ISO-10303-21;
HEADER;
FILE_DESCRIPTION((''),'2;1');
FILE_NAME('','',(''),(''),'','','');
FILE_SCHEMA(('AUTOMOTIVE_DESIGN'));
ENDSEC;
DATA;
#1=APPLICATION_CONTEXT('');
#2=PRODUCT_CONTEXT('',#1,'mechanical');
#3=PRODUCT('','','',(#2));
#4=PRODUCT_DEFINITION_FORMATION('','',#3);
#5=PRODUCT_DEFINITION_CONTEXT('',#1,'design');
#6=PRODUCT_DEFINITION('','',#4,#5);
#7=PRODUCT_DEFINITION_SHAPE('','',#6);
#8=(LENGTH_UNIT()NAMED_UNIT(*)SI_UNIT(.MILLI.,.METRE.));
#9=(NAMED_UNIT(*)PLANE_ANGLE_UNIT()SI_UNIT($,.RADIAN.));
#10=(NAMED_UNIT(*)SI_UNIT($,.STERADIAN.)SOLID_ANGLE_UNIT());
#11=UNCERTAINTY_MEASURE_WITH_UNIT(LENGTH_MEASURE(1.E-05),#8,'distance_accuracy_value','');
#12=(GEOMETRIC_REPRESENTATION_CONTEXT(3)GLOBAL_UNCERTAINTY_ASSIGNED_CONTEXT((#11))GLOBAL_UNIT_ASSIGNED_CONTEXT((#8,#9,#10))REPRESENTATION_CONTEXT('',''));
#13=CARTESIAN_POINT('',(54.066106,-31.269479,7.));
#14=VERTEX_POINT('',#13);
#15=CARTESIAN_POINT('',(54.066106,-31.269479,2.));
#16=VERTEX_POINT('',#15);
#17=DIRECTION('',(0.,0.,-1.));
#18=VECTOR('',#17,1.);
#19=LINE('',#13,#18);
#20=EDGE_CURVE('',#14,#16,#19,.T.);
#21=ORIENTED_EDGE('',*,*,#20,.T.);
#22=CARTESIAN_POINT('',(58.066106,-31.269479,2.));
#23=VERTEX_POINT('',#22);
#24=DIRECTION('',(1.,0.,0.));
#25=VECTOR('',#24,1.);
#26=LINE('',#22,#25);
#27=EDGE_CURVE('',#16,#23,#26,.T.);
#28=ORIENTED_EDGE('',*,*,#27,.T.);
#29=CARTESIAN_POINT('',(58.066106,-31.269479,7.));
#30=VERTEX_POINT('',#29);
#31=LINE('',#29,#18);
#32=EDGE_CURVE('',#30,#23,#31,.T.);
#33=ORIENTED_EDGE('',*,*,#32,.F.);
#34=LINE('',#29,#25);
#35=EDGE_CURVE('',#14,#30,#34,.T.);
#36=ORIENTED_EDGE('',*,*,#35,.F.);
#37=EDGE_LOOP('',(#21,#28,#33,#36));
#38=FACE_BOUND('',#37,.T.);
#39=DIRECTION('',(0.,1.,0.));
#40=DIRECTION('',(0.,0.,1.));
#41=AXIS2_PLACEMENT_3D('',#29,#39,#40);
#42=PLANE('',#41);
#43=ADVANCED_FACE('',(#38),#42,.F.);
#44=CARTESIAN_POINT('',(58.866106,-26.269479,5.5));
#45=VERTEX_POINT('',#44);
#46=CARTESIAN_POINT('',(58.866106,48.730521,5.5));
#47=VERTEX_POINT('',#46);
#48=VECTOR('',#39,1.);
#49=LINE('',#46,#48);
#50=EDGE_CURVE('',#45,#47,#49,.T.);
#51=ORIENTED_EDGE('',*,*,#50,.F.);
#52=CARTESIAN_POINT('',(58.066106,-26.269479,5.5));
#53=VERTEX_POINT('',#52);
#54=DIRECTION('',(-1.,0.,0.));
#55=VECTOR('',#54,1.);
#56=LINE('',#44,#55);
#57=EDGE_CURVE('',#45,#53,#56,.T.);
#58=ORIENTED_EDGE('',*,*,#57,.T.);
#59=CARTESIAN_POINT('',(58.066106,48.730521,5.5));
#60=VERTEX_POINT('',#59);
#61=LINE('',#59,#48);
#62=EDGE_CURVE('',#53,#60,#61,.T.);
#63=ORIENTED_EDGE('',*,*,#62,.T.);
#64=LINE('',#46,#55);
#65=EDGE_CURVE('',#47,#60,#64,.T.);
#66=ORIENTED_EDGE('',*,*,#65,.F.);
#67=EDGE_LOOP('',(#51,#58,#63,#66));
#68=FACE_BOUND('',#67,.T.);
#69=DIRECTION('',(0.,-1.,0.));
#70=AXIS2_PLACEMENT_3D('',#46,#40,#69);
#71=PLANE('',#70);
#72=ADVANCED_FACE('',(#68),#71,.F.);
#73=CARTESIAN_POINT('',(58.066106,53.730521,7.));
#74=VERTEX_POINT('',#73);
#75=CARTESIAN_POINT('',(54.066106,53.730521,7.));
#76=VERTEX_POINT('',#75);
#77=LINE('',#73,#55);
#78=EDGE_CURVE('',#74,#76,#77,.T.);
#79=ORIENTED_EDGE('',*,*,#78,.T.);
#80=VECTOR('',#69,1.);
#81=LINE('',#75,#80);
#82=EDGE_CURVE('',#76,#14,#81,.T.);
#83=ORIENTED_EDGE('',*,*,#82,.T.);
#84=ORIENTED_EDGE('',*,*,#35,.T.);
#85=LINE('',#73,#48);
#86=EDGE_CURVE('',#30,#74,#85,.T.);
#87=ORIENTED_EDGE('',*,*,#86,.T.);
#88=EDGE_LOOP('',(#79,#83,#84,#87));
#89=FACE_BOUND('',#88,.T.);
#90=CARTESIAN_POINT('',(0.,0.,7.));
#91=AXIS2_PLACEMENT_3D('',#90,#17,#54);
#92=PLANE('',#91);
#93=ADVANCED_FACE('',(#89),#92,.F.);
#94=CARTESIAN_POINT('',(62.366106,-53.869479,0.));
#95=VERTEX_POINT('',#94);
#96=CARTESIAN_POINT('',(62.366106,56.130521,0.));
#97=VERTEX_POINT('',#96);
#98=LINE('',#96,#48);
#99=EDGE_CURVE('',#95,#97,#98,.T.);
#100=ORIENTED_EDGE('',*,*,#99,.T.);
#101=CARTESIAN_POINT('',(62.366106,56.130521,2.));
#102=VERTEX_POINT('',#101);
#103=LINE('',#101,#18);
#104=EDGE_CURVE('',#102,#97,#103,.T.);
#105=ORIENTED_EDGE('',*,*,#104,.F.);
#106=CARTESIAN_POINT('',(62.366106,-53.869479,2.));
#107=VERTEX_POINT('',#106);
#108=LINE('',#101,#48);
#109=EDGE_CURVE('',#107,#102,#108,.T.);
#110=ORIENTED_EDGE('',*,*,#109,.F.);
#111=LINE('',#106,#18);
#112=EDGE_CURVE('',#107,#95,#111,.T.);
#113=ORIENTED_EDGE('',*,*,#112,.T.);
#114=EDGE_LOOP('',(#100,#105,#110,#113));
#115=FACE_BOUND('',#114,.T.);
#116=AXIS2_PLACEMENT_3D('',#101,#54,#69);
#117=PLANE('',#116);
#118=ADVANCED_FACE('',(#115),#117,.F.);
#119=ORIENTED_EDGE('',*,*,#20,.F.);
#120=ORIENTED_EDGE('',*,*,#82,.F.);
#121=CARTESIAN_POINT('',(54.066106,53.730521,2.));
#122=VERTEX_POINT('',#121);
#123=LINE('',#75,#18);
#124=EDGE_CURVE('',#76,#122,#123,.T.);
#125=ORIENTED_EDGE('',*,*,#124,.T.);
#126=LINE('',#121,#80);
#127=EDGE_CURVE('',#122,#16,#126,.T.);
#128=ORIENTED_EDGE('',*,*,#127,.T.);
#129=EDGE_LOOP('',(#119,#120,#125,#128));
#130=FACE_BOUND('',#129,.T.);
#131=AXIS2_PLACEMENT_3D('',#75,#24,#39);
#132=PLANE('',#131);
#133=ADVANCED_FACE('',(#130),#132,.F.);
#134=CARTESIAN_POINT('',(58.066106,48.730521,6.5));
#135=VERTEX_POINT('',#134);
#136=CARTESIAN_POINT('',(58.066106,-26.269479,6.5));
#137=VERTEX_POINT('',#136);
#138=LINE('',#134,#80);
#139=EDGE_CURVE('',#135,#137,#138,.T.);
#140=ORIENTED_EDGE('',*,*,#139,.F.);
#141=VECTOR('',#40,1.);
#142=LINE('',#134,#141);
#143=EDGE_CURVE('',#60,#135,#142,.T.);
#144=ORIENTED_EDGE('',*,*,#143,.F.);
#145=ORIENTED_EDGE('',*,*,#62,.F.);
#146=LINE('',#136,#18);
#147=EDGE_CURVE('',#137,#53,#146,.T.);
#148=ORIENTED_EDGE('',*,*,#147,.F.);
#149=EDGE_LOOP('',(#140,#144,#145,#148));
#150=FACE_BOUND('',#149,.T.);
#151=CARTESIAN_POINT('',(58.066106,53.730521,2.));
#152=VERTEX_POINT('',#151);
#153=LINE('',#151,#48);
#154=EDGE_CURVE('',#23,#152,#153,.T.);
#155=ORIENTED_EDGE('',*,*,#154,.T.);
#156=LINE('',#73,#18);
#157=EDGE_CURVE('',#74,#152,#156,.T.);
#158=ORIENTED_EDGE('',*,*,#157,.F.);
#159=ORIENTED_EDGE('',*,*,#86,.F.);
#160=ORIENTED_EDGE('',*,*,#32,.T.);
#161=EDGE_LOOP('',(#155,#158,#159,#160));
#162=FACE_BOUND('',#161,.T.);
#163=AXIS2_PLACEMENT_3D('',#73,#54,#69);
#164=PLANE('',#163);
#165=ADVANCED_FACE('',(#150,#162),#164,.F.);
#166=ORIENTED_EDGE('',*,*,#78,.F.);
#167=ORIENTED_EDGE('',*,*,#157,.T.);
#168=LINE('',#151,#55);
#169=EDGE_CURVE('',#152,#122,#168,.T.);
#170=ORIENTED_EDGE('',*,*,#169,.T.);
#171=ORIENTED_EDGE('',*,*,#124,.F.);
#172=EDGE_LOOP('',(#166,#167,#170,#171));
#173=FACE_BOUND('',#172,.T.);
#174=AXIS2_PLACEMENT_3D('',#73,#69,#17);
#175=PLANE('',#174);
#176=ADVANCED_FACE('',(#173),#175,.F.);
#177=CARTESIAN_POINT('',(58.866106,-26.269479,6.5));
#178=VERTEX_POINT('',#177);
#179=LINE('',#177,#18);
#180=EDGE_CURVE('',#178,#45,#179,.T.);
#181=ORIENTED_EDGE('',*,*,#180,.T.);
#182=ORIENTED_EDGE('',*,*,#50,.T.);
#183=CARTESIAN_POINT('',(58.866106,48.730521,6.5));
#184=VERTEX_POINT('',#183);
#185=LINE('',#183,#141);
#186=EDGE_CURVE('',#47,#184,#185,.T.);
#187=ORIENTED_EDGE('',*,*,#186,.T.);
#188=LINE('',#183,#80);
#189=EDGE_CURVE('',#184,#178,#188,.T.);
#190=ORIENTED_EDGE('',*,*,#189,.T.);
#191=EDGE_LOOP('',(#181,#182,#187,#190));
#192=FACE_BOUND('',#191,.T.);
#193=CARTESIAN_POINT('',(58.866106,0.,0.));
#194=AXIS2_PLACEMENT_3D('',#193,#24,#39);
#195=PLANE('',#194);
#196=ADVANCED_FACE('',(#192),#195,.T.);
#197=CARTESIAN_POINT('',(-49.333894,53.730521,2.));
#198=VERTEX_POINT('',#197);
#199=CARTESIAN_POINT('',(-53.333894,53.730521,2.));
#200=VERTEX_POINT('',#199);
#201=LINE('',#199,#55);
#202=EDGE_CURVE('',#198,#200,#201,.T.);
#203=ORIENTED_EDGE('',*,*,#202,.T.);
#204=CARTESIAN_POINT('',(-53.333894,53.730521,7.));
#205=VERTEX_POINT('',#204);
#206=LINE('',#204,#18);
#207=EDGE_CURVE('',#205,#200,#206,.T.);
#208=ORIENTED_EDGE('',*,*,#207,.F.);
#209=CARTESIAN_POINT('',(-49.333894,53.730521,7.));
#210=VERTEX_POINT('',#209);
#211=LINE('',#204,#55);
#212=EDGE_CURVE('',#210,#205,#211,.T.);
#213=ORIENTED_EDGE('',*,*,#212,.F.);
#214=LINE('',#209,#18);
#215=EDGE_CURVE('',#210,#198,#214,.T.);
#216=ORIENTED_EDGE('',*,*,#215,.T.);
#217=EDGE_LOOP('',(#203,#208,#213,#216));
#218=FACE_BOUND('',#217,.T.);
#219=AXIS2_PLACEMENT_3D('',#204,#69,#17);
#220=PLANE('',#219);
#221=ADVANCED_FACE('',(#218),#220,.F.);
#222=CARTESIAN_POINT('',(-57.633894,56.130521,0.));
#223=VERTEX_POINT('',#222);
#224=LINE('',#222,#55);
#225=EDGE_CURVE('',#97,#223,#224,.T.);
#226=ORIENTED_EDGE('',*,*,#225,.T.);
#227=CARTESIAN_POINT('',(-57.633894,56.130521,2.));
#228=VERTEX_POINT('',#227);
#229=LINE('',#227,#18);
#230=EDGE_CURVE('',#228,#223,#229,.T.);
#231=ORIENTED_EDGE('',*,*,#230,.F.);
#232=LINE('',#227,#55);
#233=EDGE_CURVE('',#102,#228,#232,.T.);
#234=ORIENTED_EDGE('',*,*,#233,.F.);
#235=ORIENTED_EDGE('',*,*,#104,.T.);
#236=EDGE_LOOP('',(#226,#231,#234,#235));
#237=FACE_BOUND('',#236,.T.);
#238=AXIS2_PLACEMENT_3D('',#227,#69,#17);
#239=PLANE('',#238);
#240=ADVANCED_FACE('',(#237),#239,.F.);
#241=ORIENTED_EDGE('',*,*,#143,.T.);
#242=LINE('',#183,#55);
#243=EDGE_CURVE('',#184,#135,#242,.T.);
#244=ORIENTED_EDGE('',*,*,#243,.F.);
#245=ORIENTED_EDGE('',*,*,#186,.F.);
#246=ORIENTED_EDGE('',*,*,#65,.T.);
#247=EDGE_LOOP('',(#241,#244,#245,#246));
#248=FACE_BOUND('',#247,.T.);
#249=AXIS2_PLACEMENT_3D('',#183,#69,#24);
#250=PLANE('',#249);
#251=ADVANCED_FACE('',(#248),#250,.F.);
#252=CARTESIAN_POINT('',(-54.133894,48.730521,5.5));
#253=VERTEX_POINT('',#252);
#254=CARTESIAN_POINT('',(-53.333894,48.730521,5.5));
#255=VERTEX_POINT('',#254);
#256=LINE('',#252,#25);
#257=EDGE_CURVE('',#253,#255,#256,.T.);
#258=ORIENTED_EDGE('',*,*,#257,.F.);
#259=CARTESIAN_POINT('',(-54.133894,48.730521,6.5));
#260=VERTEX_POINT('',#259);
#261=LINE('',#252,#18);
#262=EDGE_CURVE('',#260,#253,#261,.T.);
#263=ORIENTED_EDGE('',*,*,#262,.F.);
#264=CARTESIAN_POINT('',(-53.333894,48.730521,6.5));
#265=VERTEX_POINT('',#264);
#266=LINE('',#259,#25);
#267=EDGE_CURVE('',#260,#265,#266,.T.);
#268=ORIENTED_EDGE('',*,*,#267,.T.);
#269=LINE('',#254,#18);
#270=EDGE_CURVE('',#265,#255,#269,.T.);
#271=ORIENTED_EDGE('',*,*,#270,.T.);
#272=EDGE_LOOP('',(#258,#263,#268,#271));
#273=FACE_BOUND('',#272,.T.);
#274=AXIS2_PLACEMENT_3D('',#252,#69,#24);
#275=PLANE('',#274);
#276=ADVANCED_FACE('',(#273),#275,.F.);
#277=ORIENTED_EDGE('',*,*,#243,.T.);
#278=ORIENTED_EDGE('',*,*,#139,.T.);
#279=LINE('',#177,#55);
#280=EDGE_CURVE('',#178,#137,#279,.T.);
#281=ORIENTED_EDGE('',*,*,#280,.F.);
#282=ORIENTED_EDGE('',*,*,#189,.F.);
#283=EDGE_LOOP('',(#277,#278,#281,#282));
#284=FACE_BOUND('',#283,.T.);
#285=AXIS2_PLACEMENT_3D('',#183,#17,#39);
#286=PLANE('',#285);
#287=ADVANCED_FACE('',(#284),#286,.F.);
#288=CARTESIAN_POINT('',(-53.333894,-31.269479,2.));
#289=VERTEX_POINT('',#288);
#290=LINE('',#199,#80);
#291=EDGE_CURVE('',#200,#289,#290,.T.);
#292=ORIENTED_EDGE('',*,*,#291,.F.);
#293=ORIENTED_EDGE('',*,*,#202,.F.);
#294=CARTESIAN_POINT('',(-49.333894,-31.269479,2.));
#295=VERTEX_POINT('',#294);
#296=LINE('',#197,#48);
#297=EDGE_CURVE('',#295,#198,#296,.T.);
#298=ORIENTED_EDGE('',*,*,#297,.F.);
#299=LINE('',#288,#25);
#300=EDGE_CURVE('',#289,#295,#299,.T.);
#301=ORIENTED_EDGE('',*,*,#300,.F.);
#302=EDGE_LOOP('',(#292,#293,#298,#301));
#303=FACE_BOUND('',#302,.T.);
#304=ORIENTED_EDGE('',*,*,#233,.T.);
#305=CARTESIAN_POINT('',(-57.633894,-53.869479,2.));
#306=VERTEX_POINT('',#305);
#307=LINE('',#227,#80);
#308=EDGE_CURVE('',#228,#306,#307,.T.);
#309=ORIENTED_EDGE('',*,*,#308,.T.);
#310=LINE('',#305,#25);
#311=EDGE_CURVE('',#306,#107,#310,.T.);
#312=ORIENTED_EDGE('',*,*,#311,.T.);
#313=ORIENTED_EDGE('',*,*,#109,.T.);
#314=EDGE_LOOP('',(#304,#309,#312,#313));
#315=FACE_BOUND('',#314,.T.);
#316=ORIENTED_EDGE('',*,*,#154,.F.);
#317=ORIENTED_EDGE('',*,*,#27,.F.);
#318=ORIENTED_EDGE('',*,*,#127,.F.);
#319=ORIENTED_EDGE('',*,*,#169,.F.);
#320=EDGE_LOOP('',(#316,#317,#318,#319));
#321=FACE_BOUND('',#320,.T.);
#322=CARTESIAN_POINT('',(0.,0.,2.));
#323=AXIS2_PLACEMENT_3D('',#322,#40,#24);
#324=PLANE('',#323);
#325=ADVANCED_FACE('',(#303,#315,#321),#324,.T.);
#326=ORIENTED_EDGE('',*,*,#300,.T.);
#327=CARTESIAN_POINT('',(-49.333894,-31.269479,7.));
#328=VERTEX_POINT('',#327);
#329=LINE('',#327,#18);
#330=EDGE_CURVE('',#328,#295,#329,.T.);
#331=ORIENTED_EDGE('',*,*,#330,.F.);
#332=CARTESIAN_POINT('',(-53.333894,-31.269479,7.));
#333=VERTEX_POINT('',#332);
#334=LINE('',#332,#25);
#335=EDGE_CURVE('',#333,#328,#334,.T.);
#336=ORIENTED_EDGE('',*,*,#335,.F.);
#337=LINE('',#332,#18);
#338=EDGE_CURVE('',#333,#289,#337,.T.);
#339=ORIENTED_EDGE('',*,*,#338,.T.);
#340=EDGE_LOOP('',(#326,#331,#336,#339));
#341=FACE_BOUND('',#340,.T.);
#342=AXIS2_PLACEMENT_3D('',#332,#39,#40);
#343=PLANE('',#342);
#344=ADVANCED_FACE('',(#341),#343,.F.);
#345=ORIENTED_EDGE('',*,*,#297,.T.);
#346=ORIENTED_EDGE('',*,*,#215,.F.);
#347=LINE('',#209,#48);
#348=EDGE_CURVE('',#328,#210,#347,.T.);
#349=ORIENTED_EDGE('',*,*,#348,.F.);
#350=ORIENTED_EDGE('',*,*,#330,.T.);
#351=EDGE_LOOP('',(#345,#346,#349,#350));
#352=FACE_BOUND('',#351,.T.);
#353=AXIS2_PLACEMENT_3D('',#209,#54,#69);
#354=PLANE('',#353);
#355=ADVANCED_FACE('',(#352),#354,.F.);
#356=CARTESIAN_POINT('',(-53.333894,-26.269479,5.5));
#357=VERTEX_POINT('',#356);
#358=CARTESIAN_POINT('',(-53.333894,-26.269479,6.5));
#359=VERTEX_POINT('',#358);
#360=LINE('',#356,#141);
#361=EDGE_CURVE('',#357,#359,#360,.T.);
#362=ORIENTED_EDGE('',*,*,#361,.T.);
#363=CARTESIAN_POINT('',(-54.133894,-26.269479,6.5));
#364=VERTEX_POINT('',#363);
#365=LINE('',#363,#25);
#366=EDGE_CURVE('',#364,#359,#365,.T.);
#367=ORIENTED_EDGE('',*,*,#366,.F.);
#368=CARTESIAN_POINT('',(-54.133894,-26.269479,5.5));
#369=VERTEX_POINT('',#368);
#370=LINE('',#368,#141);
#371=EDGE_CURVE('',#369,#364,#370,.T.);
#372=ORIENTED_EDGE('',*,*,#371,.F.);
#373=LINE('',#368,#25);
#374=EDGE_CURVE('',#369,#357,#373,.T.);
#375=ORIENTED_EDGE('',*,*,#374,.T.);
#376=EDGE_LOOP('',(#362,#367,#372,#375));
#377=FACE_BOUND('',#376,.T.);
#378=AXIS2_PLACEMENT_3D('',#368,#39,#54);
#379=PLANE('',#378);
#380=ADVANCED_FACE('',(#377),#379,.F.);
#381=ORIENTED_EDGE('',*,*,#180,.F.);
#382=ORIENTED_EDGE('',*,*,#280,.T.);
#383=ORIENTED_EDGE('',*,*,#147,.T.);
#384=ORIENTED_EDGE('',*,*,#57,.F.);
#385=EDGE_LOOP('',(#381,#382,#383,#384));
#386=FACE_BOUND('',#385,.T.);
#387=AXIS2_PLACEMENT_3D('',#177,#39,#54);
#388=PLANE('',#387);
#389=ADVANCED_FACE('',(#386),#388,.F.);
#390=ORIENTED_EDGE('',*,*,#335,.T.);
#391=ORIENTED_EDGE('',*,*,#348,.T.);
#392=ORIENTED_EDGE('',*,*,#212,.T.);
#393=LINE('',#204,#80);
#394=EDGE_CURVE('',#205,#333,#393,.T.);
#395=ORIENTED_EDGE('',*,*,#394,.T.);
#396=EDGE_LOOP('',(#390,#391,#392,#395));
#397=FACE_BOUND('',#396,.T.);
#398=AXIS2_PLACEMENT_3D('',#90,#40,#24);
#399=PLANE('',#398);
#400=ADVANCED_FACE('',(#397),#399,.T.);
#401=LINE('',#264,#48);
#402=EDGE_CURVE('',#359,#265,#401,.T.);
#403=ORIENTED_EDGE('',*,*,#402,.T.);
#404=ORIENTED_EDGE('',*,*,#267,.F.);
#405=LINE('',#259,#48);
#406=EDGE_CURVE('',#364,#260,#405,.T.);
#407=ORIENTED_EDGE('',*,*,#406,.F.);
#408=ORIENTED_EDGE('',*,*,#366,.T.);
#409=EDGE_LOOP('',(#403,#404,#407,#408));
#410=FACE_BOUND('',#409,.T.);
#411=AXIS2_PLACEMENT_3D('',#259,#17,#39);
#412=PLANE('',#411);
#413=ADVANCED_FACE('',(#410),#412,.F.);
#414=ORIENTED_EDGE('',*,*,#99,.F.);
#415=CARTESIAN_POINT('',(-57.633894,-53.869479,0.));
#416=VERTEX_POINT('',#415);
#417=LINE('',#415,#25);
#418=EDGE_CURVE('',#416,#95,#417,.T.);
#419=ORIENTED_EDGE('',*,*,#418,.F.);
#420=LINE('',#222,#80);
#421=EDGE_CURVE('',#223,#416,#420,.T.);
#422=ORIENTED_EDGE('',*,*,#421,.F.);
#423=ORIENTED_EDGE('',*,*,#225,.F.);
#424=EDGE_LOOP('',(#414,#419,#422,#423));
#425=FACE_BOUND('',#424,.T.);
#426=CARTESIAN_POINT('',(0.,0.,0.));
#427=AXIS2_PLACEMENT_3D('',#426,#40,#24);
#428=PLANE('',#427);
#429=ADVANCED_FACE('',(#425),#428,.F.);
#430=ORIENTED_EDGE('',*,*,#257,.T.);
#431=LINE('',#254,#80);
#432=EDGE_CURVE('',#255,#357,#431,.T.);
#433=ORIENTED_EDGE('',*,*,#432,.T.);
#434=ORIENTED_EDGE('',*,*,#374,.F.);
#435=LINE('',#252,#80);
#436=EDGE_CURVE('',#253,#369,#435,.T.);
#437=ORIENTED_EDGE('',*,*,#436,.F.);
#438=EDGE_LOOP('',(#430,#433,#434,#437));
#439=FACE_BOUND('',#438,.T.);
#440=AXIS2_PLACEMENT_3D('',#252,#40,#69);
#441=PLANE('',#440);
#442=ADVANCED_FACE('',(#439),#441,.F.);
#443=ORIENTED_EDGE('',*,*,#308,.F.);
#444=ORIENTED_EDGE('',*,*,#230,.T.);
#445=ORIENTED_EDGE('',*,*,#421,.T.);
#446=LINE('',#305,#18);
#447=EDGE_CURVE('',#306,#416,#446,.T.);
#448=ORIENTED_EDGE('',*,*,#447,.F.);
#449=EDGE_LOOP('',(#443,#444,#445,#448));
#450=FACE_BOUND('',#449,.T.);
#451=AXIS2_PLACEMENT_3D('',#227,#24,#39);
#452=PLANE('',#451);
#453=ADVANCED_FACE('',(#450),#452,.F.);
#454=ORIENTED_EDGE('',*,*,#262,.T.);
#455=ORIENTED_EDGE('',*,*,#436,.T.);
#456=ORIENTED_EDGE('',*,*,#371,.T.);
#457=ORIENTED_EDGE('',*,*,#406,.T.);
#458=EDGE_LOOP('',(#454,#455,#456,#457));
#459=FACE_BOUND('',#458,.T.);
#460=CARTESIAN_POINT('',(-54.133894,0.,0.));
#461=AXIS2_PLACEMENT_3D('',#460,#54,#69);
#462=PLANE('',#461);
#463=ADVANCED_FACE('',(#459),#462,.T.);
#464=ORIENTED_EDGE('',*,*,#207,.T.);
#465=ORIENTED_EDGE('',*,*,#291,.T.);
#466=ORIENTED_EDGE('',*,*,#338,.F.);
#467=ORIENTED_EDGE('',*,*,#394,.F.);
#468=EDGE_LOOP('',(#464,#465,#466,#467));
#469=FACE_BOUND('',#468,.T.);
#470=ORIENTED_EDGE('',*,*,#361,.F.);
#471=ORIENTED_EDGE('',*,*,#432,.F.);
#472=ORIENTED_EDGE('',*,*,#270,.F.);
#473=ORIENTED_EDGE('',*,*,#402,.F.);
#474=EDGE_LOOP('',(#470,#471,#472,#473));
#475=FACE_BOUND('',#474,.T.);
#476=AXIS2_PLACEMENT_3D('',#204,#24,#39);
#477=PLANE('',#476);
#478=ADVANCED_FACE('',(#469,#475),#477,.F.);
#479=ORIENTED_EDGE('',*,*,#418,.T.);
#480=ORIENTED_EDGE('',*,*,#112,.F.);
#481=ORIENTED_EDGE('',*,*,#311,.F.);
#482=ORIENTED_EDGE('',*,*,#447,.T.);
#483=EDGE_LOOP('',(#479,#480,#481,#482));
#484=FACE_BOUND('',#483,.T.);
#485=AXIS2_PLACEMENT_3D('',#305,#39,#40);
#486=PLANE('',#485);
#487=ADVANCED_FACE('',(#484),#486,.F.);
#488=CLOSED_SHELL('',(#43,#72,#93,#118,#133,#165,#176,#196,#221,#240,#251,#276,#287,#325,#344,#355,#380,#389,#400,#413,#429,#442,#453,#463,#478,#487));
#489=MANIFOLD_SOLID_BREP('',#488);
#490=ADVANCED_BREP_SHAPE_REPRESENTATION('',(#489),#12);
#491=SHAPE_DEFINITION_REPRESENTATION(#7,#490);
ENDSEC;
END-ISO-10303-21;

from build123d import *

# Parameters (mm, degrees)
SKIZZE1_W                       = 120
SKIZZE1_H                       = 110
AUFSATZ_LINEAR_AUSTRAGEN1_DEPTH = 2
SKIZZE2_W                       = 4
SKIZZE2_H                       = 85
AUFSATZ_LINEAR_AUSTRAGEN2_DEPTH = 5
SKIZZE3_W                       = 1
SKIZZE3_H                       = 75
AUFSATZ_LINEAR_AUSTRAGEN3_DEPTH = 0.8
SKIZZE4_W                       = 1
SKIZZE4_H                       = 75
AUFSATZ_LINEAR_AUSTRAGEN4_DEPTH = 0.8


with BuildPart() as part:
    # Skizze1 → Aufsatz-Linear austragen1 (new body)
    with BuildSketch(Plane.XY):
        with Locations((2.366105943, 1.130520765)):
            Rectangle(SKIZZE1_W, SKIZZE1_H)
    extrude(amount=AUFSATZ_LINEAR_AUSTRAGEN1_DEPTH)

    # Skizze2 → Aufsatz-Linear austragen2 (add)
    with BuildSketch(Plane.XY.offset(2)):
        with Locations((-51.333894057, 11.230520765)):
            Rectangle(SKIZZE2_W, SKIZZE2_H)
        with Locations((56.066105943, 11.230520765)):
            Rectangle(SKIZZE2_W, SKIZZE2_H)
    extrude(amount=AUFSATZ_LINEAR_AUSTRAGEN2_DEPTH)

    # Skizze3 → Aufsatz-Linear austragen3 (add)
    with BuildSketch(Plane(origin=(58.066105943, 0, 0), x_dir=(0, 0, -1), z_dir=(1, 0, 0))):
        with Locations((-6, 11.230520765)):
            Rectangle(SKIZZE3_W, SKIZZE3_H)
    extrude(amount=AUFSATZ_LINEAR_AUSTRAGEN3_DEPTH)

    # Skizze4 → Aufsatz-Linear austragen4 (add)
    with BuildSketch(Plane.ZY.offset(53.333894057)):
        with Locations((6, 11.230520765)):
            Rectangle(SKIZZE4_W, SKIZZE4_H)
    extrude(amount=AUFSATZ_LINEAR_AUSTRAGEN4_DEPTH)


solid = part.part
